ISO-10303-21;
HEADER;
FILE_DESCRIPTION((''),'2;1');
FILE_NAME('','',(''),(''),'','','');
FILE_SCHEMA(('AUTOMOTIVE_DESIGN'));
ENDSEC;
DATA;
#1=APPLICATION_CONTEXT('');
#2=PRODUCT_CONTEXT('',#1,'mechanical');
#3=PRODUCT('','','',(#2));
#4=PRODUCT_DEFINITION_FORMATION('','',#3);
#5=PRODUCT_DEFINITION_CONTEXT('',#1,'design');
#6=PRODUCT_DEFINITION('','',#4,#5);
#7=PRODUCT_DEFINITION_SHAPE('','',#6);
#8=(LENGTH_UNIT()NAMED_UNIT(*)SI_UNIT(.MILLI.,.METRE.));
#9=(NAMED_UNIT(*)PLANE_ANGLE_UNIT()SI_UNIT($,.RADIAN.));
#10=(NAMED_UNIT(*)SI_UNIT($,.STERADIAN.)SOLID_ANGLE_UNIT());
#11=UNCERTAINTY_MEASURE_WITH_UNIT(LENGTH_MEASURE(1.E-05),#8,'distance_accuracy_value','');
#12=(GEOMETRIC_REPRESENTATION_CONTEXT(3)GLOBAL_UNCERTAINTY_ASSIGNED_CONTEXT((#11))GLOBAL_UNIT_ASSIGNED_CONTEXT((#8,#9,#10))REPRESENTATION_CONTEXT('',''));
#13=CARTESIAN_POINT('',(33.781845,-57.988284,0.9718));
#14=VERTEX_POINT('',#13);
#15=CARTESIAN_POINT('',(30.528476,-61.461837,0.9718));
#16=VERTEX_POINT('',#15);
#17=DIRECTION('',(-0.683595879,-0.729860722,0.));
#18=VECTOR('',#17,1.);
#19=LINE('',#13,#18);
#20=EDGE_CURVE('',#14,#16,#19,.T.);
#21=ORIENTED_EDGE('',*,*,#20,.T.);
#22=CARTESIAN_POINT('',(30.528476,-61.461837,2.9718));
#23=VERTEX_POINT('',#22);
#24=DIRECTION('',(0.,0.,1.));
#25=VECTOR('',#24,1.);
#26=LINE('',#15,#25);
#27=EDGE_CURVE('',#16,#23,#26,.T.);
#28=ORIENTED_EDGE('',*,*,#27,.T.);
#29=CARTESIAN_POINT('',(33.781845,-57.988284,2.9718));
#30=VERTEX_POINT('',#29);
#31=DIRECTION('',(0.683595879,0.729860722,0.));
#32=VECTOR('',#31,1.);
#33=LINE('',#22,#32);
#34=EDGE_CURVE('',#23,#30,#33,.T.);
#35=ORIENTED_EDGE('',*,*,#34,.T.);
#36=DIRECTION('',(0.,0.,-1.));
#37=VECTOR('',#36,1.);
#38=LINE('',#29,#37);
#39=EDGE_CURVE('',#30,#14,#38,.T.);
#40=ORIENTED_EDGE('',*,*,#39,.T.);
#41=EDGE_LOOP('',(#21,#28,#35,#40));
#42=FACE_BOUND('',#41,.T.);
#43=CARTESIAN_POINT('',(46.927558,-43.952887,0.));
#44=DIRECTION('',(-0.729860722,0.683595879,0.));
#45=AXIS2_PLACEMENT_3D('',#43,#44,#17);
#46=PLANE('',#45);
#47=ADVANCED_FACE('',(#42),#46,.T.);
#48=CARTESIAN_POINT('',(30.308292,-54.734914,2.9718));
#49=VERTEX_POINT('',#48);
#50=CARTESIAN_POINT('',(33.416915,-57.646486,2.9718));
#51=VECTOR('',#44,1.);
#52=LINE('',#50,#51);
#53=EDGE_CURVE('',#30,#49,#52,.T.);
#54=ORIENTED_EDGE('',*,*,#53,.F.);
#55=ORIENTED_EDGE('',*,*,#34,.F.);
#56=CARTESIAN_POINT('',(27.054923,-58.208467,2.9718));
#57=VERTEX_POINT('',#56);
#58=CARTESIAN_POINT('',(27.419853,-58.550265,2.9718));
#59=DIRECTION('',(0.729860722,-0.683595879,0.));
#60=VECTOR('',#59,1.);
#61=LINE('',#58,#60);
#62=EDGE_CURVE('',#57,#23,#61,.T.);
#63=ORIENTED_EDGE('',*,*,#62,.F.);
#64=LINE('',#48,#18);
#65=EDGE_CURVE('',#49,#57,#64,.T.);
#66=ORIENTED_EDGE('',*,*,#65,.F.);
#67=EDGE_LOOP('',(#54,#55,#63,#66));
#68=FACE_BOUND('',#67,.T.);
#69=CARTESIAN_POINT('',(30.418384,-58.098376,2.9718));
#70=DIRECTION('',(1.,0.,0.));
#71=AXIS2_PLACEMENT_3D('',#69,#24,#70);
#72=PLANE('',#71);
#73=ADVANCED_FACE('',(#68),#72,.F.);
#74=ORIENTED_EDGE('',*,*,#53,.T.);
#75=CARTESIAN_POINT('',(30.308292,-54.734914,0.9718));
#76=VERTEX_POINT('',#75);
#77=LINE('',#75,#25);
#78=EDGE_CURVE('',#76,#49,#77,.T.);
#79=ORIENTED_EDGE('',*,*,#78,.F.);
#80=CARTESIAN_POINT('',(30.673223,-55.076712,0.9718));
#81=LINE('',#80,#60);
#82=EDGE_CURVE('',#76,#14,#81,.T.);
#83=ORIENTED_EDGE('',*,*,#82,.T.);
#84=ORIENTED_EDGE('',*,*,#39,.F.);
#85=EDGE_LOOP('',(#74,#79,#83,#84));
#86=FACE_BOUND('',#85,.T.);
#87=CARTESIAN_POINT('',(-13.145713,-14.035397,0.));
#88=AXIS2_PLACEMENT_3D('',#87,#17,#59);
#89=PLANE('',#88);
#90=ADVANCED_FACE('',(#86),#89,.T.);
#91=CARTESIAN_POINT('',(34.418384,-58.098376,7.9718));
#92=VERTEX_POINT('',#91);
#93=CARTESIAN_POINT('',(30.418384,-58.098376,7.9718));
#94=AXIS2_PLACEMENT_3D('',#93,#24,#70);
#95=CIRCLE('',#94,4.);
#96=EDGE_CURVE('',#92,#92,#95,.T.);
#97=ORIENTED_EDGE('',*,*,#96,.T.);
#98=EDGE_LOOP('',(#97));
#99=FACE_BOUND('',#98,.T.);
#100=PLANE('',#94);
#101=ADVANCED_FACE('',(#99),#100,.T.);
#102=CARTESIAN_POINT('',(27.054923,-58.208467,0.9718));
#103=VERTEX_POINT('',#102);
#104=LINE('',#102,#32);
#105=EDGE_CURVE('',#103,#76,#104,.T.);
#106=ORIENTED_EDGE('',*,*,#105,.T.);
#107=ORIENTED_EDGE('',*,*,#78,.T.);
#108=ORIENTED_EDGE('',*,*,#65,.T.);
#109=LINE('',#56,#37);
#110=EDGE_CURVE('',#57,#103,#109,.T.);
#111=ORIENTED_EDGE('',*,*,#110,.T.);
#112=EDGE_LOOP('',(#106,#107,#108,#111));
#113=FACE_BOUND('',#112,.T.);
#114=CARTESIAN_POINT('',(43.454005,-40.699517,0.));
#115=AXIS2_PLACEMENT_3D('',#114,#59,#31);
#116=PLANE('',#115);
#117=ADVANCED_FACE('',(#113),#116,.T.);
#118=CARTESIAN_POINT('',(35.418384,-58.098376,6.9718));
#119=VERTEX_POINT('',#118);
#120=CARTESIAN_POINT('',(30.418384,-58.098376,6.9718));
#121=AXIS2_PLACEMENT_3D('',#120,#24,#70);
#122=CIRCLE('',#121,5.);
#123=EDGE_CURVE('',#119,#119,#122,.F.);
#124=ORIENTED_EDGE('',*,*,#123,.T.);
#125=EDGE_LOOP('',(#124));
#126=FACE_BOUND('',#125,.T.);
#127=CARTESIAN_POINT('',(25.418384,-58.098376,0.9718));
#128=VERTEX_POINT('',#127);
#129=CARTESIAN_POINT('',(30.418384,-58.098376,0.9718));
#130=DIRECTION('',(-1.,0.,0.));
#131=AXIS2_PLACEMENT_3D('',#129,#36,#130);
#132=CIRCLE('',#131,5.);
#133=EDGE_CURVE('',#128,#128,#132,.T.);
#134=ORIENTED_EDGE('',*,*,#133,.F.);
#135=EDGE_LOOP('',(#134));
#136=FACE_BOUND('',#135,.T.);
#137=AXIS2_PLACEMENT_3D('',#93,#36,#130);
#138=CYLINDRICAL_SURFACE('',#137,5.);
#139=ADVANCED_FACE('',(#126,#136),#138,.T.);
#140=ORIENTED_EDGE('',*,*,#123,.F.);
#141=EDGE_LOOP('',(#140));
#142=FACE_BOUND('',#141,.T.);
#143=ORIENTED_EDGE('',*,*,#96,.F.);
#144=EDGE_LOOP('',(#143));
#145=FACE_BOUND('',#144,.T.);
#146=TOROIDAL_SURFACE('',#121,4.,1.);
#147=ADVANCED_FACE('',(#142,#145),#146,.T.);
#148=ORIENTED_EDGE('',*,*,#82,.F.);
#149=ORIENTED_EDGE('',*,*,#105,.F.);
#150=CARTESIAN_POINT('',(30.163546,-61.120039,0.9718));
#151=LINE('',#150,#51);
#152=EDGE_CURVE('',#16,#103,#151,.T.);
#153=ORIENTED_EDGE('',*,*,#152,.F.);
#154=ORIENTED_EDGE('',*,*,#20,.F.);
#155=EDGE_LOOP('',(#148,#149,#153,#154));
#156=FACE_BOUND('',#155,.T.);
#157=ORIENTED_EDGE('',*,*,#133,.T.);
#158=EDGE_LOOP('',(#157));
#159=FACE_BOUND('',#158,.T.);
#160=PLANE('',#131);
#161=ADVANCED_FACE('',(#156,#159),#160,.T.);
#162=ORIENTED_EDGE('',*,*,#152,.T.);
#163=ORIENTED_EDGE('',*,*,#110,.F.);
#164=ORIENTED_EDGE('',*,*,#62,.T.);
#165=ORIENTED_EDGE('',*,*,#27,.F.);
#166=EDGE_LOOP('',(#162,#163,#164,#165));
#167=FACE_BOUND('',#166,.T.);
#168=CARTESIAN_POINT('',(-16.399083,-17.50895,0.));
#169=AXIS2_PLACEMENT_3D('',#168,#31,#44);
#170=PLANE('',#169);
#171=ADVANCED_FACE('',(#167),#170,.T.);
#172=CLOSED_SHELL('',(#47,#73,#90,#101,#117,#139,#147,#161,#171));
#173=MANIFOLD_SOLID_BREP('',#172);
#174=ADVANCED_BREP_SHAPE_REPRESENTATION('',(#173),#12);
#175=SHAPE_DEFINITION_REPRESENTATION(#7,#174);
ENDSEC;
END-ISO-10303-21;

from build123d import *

# Parameters (mm, degrees)
SKETCH3_R           = 5
BOSS_EXTRUDE2_DEPTH = 5
BOSS_EXTRUDE3_START = 2
SKETCH4_R           = 5
BOSS_EXTRUDE3_DEPTH = 2
SKETCH5_W           = 3.7592
SKETCH5_H           = 2
CUT_EXTRUDE2_DEPTH  = 0.5
SKETCH6_W           = 3.7592
SKETCH6_H           = 2
CUT_EXTRUDE3_DEPTH  = 0.5
SKETCH7_W           = 2
SKETCH7_H           = 4.7592
CUT_EXTRUDE4_DEPTH  = 0.5
SKETCH8_W           = 2
SKETCH8_H           = 4.7592
CUT_EXTRUDE5_DEPTH  = 0.5
FILLET1_R           = 1


with BuildPart() as part:
    # Sketch3 → Boss-Extrude2 (new body)
    with BuildSketch(Plane.XY.offset(2.9718)):
        with Locations((30.41838411, -58.09837557)):
            Circle(SKETCH3_R)
    extrude(amount=BOSS_EXTRUDE2_DEPTH)

    # Sketch4 → Boss-Extrude3 (add)
    with BuildSketch(Plane(origin=(0, 0, 2.9718), x_dir=(-1, 0, 0), z_dir=(0, 0, -1)).offset(BOSS_EXTRUDE3_START)):
        with Locations((-30.41838411, -58.09837557)):
            Circle(SKETCH4_R)
        Polygon((-30.505343509, -60.755108598), (-33.075117138, -58.011416171), (-30.331424712, -55.441642541), (-27.761651082, -58.185334968), align=None, mode=Mode.SUBTRACT)
    extrude(amount=-BOSS_EXTRUDE3_DEPTH)

    # Sketch5 → Cut-Extrude2 (cut)
    with BuildSketch(Plane(origin=(-13.487510975, -14.400327439, 0), x_dir=(0.7298607220838652, -0.6835958794194263, 0), z_dir=(-0.6835958794194263, -0.7298607220838652, 0))):
        with Locations((61.916993932, 1.9718)):
            Rectangle(SKETCH5_W, SKETCH5_H)
    extrude(amount=-CUT_EXTRUDE2_DEPTH, mode=Mode.SUBTRACT)

    # Sketch6 → Cut-Extrude3 (cut)
    with BuildSketch(Plane(origin=(-16.057284605, -17.144019865, 0), x_dir=(0.7298607220838642, -0.6835958794194275, 0), z_dir=(0.6835958794194275, 0.7298607220838642, 0))):
        with Locations((61.916993932, -1.9718)):
            Rectangle(SKETCH6_W, SKETCH6_H)
    extrude(amount=-CUT_EXTRUDE3_DEPTH, mode=Mode.SUBTRACT)

    # Sketch7 → Cut-Extrude4 (cut)
    with BuildSketch(Plane(origin=(43.818935687, -41.041315103, 0), x_dir=(0, 0, -1), z_dir=(0.7298607220838652, -0.6835958794194263, 0))):
        with Locations((-1.9718, -21.609840309)):
            Rectangle(SKETCH7_W, SKETCH7_H)
    extrude(amount=-CUT_EXTRUDE4_DEPTH, mode=Mode.SUBTRACT)

    # Sketch8 → Cut-Extrude5 (cut)
    with BuildSketch(Plane(origin=(46.562628114, -43.611088733, 0), x_dir=(0, 0, 1), z_dir=(-0.7298607220838662, 0.6835958794194253, 0))):
        with Locations((1.9718, -21.609840309)):
            Rectangle(SKETCH8_W, SKETCH8_H)
    extrude(amount=-CUT_EXTRUDE5_DEPTH, mode=Mode.SUBTRACT)

    # Fillet1
    fillet1_edges = [part.edges().sort_by_distance(p)[0] for p in [
        (25.41838411, -58.09837557, 7.9718),
    ]]
    fillet(fillet1_edges, radius=FILLET1_R)


solid = part.part
